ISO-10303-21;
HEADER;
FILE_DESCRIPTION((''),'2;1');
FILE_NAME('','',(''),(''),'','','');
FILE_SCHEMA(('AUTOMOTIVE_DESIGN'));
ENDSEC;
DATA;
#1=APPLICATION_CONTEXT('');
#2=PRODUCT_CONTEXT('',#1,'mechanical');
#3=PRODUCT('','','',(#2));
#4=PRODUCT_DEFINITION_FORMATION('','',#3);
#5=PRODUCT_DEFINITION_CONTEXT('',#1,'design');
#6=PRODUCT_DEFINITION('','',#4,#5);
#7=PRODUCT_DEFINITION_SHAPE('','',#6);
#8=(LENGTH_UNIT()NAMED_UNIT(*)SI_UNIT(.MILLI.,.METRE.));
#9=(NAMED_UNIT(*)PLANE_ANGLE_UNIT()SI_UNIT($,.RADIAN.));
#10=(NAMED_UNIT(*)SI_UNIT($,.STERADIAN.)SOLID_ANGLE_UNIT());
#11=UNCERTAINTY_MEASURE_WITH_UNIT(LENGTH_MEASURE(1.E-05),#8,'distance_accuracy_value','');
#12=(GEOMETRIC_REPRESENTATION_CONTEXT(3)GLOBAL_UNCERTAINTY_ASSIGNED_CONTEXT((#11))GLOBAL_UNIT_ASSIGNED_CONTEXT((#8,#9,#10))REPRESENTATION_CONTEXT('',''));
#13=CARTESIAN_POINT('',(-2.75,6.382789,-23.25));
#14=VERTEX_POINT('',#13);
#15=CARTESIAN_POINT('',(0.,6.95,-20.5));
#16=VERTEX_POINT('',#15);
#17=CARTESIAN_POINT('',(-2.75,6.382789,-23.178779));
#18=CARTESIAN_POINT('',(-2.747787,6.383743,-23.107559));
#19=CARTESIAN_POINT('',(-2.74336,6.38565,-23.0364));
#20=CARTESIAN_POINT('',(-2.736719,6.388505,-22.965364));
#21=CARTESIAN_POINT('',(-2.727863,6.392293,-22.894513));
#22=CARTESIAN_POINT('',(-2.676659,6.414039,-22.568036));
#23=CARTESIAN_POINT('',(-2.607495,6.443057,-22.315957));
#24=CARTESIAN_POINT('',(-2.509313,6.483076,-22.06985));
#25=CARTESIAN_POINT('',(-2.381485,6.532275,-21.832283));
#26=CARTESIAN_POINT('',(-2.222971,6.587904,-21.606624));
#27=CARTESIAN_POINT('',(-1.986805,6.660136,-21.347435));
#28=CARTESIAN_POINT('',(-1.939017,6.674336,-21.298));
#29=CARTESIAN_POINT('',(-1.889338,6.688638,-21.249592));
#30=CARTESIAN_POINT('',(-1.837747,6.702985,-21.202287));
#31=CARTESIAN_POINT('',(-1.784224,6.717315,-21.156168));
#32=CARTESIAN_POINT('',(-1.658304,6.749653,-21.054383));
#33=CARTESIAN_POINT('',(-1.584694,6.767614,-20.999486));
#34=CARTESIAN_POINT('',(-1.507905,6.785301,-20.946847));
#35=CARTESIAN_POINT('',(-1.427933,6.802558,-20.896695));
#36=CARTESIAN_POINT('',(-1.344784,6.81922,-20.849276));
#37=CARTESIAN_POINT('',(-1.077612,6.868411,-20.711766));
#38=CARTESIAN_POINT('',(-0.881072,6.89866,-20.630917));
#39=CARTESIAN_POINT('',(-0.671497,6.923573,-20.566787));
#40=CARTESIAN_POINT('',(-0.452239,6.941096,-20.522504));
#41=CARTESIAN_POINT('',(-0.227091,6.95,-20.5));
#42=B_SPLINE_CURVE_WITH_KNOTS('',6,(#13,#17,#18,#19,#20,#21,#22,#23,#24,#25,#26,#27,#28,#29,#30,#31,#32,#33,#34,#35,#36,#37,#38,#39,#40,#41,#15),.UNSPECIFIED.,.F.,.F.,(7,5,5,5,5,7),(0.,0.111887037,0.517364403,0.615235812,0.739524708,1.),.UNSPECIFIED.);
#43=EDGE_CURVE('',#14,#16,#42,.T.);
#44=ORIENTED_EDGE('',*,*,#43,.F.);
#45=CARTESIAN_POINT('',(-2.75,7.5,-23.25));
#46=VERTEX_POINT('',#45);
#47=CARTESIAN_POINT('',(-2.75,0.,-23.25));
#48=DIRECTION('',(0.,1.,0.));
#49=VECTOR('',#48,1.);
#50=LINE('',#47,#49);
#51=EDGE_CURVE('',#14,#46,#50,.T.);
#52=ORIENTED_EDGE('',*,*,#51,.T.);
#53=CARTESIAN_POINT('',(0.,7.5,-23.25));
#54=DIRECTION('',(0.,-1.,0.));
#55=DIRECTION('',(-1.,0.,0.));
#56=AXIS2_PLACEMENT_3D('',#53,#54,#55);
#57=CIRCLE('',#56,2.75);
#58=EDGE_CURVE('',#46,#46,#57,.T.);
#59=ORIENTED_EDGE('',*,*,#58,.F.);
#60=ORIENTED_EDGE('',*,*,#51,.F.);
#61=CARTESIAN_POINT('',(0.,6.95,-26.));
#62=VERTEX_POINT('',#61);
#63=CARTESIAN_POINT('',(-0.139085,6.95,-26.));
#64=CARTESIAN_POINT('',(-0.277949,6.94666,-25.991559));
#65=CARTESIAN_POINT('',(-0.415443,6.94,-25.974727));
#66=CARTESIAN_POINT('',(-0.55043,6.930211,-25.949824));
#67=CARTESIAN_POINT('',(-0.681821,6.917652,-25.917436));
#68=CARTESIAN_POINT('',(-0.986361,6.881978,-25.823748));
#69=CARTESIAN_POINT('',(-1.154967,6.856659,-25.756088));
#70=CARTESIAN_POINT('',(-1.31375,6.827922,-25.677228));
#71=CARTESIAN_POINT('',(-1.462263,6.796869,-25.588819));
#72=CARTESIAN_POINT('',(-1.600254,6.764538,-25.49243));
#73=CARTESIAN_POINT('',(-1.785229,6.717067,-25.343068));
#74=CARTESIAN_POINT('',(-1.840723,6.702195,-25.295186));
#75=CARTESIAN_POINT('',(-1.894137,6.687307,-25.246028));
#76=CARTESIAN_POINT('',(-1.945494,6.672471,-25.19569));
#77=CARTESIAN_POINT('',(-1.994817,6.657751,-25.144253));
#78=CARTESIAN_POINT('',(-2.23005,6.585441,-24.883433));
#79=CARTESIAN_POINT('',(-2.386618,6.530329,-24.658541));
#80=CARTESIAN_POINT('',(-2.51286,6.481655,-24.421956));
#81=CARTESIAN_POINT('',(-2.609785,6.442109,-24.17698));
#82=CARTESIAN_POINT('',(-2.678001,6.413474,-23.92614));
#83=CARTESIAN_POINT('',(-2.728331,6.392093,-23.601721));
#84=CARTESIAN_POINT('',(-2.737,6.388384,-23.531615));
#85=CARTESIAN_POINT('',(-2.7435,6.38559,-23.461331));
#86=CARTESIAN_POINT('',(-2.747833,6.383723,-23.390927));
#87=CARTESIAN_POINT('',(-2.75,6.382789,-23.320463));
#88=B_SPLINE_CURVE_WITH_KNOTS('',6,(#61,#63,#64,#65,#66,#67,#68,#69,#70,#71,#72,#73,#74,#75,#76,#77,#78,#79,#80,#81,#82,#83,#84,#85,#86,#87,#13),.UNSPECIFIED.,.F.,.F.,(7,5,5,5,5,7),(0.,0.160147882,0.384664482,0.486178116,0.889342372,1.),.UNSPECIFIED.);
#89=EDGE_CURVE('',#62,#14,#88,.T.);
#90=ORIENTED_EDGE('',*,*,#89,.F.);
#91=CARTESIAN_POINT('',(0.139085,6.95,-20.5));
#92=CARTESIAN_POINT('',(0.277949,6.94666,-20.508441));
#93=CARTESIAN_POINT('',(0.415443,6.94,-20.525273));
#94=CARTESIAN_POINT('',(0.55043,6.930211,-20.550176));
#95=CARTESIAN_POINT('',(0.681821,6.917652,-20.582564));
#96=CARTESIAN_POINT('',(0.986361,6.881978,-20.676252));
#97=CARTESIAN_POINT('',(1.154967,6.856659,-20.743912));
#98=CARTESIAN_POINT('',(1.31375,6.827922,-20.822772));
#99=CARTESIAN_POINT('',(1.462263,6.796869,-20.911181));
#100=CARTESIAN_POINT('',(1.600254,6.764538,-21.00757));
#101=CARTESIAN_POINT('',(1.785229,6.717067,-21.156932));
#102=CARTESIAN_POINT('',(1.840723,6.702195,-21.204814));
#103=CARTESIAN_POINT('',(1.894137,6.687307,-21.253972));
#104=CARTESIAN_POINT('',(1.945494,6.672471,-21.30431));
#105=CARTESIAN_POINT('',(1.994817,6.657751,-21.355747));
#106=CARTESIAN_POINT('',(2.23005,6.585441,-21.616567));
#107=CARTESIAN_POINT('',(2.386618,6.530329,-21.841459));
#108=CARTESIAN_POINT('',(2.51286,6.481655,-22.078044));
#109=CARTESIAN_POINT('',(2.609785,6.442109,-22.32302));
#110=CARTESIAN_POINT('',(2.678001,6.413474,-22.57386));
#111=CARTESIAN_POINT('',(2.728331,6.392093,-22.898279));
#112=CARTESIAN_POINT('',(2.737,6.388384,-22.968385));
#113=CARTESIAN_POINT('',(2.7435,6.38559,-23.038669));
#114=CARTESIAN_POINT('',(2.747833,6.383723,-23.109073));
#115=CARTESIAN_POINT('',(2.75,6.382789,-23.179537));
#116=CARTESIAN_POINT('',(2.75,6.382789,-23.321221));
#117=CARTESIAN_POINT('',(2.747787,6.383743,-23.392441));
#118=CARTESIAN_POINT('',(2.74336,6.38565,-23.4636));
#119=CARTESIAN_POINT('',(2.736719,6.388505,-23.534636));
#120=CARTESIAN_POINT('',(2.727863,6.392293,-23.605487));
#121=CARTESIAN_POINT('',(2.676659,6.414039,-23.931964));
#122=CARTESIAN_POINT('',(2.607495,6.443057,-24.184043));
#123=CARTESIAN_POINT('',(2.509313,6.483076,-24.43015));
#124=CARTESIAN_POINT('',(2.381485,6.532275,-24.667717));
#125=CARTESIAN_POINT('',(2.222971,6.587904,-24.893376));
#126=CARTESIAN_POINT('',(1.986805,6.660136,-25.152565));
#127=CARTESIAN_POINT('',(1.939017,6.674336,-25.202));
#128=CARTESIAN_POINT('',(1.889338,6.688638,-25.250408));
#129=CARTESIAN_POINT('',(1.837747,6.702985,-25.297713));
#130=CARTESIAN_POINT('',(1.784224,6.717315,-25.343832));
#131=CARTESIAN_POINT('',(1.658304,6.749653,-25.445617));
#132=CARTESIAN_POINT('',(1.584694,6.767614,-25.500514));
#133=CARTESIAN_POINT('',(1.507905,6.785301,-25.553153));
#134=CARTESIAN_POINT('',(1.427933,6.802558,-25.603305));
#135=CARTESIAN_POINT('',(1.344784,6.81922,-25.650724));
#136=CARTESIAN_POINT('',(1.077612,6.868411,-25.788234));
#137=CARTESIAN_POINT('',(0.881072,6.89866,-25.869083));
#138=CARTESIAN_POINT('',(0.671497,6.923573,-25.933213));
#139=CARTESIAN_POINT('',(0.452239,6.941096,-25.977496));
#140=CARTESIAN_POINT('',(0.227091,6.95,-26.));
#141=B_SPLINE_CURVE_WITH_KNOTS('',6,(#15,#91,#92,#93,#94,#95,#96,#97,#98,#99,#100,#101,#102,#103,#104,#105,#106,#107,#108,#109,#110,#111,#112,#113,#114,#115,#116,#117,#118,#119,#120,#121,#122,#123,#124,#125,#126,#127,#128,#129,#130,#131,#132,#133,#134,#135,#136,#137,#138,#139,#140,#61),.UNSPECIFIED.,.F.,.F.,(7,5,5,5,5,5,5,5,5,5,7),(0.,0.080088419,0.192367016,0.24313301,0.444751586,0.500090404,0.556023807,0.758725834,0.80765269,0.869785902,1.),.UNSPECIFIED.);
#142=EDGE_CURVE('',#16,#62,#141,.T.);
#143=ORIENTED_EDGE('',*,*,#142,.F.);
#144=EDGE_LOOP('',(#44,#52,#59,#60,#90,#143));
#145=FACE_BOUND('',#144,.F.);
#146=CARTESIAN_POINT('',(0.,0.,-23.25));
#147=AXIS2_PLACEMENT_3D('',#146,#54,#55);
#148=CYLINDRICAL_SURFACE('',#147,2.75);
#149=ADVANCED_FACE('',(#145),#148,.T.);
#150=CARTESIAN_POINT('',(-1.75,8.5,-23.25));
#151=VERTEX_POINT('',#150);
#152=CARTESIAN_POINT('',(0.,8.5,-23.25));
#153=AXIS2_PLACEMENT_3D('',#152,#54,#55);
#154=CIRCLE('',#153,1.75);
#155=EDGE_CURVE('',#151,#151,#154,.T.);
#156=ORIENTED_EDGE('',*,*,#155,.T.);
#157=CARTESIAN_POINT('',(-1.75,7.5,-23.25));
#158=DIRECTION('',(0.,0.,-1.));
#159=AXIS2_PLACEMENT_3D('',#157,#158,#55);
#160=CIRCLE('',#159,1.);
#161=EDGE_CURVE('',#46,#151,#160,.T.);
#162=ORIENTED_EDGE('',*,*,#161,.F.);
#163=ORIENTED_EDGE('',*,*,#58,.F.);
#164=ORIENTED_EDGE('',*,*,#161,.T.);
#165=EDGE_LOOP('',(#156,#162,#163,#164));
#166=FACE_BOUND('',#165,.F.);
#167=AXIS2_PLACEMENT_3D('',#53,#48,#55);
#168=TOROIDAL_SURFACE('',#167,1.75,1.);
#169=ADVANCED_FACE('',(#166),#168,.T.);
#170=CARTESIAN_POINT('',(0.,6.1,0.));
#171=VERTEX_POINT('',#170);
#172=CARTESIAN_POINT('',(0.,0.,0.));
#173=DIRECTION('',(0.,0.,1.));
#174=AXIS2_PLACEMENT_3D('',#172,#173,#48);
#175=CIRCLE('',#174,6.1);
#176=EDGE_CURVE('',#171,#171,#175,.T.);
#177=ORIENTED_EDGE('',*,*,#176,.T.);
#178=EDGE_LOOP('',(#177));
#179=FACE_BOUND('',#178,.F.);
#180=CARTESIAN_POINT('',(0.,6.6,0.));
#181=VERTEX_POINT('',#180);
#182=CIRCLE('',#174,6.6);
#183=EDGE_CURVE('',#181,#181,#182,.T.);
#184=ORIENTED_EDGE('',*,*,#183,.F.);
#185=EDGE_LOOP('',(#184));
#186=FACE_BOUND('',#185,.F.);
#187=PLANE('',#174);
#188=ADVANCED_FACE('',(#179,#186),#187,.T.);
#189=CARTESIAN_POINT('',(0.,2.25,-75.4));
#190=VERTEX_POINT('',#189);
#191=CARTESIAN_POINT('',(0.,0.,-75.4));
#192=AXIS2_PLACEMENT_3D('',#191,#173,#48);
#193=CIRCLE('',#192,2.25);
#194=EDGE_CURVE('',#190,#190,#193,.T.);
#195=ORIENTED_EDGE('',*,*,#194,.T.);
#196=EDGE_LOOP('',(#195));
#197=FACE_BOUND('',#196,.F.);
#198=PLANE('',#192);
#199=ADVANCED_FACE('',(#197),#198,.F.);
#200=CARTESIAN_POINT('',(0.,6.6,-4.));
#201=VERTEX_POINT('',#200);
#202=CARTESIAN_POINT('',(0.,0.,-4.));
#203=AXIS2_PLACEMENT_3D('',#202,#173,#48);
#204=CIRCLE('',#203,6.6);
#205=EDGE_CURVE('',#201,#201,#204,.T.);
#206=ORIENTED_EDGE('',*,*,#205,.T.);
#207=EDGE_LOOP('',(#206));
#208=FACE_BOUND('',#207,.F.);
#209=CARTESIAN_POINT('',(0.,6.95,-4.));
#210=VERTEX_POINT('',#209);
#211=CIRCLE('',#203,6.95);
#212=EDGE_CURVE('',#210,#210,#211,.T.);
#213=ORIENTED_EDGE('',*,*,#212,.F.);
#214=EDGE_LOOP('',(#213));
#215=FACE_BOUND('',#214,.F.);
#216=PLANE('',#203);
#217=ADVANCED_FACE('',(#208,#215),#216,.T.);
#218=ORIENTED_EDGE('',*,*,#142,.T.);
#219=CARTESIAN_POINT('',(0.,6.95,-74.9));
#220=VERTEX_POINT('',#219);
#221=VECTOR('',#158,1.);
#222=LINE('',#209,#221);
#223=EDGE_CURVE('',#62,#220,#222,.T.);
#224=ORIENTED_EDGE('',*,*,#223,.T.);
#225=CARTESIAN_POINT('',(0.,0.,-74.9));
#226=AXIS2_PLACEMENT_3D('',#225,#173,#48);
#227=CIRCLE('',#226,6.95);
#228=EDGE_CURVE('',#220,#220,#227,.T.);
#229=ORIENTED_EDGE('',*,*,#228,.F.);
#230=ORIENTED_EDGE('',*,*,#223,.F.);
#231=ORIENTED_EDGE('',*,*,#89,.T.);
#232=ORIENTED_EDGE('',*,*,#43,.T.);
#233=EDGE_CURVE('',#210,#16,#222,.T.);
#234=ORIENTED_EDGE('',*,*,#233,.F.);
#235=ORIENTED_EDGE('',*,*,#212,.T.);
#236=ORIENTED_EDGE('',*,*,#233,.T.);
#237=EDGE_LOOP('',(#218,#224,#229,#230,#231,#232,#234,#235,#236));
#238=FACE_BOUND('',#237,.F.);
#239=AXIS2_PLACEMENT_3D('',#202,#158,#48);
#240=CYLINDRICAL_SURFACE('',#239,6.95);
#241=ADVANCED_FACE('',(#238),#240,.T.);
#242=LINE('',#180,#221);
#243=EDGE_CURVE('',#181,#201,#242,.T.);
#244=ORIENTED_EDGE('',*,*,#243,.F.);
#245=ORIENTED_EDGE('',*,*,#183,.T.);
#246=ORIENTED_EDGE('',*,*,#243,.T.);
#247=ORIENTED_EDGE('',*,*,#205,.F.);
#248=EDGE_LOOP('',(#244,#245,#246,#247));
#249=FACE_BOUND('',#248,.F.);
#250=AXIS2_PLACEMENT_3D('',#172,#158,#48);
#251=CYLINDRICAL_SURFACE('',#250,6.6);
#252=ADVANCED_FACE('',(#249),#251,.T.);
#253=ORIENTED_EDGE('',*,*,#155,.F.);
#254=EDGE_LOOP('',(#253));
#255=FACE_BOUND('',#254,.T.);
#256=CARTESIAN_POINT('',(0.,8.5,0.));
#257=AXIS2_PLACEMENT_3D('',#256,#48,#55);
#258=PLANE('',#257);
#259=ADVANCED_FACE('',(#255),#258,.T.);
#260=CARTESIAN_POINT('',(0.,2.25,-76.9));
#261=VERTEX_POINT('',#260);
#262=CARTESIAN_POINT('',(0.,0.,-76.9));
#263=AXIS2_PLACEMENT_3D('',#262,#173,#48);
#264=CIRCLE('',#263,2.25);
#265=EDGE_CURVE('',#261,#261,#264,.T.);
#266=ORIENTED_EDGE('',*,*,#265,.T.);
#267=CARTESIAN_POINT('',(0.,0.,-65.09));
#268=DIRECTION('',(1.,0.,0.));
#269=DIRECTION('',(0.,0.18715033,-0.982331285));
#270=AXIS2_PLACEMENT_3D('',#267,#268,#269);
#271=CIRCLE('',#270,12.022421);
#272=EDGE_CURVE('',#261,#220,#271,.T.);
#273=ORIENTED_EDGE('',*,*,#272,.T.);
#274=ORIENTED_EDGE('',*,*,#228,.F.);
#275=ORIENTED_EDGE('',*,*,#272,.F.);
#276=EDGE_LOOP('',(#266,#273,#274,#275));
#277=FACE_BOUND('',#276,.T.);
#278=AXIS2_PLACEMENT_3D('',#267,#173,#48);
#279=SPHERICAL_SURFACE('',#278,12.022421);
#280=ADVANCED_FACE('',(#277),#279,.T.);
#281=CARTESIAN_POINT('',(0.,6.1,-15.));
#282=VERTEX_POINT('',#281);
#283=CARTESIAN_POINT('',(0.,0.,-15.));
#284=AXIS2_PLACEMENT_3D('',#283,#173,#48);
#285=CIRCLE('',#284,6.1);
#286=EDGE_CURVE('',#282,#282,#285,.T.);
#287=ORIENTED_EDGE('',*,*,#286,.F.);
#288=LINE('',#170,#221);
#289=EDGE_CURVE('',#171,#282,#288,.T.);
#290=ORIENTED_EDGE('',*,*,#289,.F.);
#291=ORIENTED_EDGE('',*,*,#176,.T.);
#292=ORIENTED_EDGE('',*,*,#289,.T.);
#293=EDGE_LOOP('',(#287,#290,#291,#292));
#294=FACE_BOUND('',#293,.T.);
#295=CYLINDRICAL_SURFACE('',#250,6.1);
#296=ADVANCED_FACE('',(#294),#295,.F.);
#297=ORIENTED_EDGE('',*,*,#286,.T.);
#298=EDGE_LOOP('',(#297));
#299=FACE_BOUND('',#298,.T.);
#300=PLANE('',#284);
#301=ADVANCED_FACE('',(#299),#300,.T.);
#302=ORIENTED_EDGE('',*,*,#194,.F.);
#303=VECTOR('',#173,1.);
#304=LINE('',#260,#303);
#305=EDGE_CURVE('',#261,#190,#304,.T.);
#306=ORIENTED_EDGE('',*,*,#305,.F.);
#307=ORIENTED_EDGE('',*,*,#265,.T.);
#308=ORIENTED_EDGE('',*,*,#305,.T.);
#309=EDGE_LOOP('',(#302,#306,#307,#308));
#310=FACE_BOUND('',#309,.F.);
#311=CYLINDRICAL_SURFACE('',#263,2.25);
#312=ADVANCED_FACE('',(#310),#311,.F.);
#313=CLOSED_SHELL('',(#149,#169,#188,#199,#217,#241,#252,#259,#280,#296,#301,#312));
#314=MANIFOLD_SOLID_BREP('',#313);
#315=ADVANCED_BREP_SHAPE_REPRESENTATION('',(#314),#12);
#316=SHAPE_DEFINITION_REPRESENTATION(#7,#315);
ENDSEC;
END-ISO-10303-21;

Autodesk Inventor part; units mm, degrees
ref_plane "YZ Plane" through (0, 0, 0) normal (1, 0, 0) x (0, 1, 0)
ref_plane "XZ Plane" through (0, 0, 0) normal (0, 1, 0) x (-1, 0, 0)
ref_plane "XY Plane" through (0, 0, 0) normal (0, 0, 1) x (1, 0, 0)
sketch "Sketch1" plane through (0, 0, 0) normal (1, 0, 0) x (0, 1, 0)
  line L0 (0, 0) -> (6.1, 0) construction
  line L1 (6.6, 0) -> (6.6, -4)
  line L2 (6.6, -4) -> (6.95, -4)
  line L3 (6.95, -4) -> (6.95, -74.9)
  line L4 (6.95, -74.9) -> (0, -74.9) construction
  line L5 (0, -74.9) -> (0, -15)
  arc A0 (2.25, -76.9) -> (6.95, -74.9) centre (0, -65.09) ccw
  line L6 (2.25, -76.9) -> (2.25, -75.4)
  line L7 (2.25, -75.4) -> (0, -75.4)
  line L8 (0, -75.4) -> (0, -74.9)
  line L9 (6.1, 0) -> (6.1, -15)
  line L10 (6.1, -15) -> (0, -15)
  line L11 (6.1, 0) -> (6.6, 0)
  line L12 (0, -15) -> (0, 0) construction
  dimension "d0" = 6.95
  dimension "d1" = 6.6
  dimension "d2" = 4
  dimension "d4" = 76.9
  dimension "d5" = 2.25
  dimension "d6" = 1.5
  dimension "d7" = 2
  dimension "d9" = 0.5
  dimension "d10" = 15
revolve "Revolution1" add sketch "Sketch1" angle 360 about axis through (0, 0, -74.9) along (0, 0, 1)
sketch "Sketch2" plane through (0, 0, 0) normal (0, 1, 0) x (-1, 0, 0)
  line L0 (0, 0) -> (0, -26)
  line L1 (0, -26) -> (16.769, -26) construction
  circle A0 centre (0, -23.25) radius 2.75
  line L2 (-6.6, 0) -> (6.6, 0) projected
  dimension "d12" = 5.5
  dimension "d11" = 26
extrude "Extrusion1" add sketch "Sketch2" along normal blind 8.5
fillet "Fillet1" radius 1 1 edges at (2.75, 8.5, -23.25)
properties part number "LASER"
